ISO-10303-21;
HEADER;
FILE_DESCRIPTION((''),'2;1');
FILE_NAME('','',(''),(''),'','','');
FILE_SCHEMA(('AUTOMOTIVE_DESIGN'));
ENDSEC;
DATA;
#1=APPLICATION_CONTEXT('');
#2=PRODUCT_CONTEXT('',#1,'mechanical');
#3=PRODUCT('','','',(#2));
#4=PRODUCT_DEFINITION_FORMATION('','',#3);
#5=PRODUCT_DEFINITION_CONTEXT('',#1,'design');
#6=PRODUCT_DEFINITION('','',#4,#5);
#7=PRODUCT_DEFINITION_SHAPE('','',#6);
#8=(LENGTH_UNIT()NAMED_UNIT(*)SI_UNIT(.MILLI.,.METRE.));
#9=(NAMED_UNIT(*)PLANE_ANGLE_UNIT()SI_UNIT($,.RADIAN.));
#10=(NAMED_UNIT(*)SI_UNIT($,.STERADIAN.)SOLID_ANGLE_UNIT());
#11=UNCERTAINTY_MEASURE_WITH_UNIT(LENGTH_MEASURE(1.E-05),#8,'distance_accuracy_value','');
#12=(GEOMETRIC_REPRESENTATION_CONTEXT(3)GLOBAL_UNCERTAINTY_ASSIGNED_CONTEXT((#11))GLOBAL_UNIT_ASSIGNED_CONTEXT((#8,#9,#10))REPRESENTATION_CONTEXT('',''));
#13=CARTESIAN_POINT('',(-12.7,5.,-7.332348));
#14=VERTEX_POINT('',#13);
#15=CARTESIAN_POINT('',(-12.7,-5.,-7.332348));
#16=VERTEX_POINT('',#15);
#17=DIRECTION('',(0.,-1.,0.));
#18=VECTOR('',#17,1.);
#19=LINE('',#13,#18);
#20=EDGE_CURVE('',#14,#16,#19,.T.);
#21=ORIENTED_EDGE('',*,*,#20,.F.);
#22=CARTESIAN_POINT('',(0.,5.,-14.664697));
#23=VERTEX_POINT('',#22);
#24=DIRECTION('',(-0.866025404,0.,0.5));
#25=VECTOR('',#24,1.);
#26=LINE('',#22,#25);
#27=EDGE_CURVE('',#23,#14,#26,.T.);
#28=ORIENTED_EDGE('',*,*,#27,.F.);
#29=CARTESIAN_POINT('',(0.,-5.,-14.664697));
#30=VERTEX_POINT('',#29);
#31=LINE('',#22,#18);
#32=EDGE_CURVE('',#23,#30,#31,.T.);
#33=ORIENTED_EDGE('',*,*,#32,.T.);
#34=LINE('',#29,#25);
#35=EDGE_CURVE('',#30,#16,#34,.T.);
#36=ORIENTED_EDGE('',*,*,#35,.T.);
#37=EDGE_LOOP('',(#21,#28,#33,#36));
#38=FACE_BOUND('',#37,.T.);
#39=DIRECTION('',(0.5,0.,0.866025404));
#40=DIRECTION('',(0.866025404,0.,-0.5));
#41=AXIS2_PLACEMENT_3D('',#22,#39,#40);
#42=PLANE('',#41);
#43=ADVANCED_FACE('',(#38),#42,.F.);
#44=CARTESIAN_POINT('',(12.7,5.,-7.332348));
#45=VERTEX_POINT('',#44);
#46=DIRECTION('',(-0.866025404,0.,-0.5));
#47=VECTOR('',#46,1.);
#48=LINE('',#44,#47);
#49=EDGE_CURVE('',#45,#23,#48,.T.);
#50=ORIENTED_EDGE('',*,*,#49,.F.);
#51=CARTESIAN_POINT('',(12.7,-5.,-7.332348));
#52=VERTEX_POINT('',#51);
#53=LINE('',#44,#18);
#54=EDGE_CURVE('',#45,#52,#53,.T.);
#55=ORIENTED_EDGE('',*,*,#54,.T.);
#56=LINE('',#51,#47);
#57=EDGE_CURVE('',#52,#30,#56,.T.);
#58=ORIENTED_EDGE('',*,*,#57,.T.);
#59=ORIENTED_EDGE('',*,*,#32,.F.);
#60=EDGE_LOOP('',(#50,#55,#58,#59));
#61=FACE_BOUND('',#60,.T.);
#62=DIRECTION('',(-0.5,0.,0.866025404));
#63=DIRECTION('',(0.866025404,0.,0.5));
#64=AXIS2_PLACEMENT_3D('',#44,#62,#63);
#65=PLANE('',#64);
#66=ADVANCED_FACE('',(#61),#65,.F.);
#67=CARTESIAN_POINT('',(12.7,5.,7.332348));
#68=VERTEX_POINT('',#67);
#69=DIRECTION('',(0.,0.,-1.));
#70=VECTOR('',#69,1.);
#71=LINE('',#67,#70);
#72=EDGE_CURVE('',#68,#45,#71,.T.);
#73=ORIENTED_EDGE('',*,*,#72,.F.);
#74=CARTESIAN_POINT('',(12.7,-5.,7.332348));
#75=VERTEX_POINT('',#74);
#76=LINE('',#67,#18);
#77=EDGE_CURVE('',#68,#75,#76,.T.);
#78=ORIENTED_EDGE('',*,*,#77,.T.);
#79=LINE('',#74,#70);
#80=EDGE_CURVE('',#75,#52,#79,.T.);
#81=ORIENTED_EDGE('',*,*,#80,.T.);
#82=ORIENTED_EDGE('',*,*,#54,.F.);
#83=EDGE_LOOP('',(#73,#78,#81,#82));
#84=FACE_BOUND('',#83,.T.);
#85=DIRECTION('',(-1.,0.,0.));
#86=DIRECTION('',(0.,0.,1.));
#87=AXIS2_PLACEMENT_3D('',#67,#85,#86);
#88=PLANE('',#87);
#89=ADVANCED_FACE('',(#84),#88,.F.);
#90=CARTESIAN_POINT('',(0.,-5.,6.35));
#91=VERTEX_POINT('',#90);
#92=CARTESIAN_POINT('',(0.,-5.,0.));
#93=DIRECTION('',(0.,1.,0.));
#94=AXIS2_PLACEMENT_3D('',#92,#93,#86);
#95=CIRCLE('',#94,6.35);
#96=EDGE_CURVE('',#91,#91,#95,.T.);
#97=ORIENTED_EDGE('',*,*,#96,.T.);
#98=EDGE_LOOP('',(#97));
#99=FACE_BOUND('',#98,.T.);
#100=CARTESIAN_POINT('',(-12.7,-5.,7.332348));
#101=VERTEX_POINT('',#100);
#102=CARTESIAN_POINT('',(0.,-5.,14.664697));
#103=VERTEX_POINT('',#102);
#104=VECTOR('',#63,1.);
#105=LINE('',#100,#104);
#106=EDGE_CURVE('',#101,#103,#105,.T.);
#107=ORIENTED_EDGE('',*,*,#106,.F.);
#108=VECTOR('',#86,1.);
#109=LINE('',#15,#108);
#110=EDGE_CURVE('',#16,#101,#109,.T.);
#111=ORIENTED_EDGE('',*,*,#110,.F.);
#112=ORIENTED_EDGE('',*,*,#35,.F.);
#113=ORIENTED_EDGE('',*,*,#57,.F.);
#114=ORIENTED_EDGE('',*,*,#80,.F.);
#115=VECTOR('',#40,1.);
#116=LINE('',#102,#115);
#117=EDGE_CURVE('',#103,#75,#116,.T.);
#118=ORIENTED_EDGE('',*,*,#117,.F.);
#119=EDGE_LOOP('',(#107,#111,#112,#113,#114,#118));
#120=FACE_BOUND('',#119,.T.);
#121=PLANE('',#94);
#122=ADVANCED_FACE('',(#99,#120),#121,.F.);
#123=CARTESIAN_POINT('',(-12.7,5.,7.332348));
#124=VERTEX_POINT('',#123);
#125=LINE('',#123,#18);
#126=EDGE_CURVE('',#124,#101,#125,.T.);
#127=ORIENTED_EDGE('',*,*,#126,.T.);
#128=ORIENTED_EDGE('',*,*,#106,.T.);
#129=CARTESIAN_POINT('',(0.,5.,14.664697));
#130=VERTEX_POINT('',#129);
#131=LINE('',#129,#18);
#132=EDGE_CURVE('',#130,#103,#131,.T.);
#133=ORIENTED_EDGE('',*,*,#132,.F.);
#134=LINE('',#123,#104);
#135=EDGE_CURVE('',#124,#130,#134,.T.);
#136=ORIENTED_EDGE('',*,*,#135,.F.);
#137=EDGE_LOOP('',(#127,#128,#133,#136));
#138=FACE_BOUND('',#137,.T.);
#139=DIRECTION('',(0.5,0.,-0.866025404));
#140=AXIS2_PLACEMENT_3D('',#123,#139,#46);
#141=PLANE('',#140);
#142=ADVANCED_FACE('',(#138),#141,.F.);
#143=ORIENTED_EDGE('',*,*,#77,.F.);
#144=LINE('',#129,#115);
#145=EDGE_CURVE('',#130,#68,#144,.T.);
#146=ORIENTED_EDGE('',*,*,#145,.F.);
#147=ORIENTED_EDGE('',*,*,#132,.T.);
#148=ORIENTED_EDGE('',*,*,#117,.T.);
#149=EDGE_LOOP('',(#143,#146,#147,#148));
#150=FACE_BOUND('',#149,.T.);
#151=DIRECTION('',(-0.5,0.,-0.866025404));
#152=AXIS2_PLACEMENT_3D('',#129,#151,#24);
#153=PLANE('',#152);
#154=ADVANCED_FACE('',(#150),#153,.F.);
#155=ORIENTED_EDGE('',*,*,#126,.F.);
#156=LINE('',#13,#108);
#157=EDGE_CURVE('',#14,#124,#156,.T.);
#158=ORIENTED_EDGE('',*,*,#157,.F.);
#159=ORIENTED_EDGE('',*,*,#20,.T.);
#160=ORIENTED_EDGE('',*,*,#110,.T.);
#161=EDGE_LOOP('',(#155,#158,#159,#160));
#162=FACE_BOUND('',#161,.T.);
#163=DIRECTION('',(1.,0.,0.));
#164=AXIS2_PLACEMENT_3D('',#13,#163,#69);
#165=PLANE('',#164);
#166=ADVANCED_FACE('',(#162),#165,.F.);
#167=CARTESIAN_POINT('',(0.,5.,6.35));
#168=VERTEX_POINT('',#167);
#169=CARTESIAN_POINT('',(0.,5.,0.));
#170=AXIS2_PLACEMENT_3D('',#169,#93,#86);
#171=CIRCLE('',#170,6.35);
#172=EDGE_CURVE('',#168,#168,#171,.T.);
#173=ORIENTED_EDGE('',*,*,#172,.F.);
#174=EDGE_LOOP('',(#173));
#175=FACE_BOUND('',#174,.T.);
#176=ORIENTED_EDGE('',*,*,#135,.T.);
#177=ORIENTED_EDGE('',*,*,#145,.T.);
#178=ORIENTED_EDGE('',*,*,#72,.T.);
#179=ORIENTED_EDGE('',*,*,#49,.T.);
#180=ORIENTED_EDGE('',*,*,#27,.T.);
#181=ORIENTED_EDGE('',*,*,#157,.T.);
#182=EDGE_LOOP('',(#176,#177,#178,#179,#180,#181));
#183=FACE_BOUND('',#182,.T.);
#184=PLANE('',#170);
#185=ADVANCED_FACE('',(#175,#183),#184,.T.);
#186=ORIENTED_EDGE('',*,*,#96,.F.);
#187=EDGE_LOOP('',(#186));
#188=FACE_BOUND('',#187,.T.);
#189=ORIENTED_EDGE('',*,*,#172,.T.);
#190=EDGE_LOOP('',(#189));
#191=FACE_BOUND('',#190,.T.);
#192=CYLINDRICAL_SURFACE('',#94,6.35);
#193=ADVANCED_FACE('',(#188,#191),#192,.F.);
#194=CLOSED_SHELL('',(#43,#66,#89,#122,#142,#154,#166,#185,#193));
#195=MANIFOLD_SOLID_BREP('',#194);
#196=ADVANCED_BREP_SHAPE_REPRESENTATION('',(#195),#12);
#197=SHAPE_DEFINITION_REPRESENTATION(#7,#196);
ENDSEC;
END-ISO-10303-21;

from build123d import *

# Parameters (mm, degrees)
BOSS_EXTRUDE1_DEPTH = 5
SKETCH3_R           = 6.35
CUT_EXTRUDE1_DEPTH  = 22.82529114


with BuildPart() as part:
    # Sketch2 → Boss-Extrude1 (new, symmetric)
    with BuildSketch(Plane(origin=(0, 0, 0), x_dir=(1, 0, 0), z_dir=(0, 1, 0))):
        Polygon((12.7, 7.332348419), (0, 14.664696837), (-12.7, 7.332348419), (-12.7, -7.332348419), (0, -14.664696837), (12.7, -7.332348419), align=None)
    extrude(amount=BOSS_EXTRUDE1_DEPTH, both=True)

    # Sketch3 → Cut-Extrude1 (cut, through all)
    with BuildSketch(Plane(origin=(0, 5, 0), x_dir=(1, 0, 0), z_dir=(0, 1, 0))):
        with Locations(Location((0, 0, 0), (0, 0, 270))):
            Circle(SKETCH3_R)
    extrude(amount=-CUT_EXTRUDE1_DEPTH, mode=Mode.SUBTRACT)


solid = part.part
